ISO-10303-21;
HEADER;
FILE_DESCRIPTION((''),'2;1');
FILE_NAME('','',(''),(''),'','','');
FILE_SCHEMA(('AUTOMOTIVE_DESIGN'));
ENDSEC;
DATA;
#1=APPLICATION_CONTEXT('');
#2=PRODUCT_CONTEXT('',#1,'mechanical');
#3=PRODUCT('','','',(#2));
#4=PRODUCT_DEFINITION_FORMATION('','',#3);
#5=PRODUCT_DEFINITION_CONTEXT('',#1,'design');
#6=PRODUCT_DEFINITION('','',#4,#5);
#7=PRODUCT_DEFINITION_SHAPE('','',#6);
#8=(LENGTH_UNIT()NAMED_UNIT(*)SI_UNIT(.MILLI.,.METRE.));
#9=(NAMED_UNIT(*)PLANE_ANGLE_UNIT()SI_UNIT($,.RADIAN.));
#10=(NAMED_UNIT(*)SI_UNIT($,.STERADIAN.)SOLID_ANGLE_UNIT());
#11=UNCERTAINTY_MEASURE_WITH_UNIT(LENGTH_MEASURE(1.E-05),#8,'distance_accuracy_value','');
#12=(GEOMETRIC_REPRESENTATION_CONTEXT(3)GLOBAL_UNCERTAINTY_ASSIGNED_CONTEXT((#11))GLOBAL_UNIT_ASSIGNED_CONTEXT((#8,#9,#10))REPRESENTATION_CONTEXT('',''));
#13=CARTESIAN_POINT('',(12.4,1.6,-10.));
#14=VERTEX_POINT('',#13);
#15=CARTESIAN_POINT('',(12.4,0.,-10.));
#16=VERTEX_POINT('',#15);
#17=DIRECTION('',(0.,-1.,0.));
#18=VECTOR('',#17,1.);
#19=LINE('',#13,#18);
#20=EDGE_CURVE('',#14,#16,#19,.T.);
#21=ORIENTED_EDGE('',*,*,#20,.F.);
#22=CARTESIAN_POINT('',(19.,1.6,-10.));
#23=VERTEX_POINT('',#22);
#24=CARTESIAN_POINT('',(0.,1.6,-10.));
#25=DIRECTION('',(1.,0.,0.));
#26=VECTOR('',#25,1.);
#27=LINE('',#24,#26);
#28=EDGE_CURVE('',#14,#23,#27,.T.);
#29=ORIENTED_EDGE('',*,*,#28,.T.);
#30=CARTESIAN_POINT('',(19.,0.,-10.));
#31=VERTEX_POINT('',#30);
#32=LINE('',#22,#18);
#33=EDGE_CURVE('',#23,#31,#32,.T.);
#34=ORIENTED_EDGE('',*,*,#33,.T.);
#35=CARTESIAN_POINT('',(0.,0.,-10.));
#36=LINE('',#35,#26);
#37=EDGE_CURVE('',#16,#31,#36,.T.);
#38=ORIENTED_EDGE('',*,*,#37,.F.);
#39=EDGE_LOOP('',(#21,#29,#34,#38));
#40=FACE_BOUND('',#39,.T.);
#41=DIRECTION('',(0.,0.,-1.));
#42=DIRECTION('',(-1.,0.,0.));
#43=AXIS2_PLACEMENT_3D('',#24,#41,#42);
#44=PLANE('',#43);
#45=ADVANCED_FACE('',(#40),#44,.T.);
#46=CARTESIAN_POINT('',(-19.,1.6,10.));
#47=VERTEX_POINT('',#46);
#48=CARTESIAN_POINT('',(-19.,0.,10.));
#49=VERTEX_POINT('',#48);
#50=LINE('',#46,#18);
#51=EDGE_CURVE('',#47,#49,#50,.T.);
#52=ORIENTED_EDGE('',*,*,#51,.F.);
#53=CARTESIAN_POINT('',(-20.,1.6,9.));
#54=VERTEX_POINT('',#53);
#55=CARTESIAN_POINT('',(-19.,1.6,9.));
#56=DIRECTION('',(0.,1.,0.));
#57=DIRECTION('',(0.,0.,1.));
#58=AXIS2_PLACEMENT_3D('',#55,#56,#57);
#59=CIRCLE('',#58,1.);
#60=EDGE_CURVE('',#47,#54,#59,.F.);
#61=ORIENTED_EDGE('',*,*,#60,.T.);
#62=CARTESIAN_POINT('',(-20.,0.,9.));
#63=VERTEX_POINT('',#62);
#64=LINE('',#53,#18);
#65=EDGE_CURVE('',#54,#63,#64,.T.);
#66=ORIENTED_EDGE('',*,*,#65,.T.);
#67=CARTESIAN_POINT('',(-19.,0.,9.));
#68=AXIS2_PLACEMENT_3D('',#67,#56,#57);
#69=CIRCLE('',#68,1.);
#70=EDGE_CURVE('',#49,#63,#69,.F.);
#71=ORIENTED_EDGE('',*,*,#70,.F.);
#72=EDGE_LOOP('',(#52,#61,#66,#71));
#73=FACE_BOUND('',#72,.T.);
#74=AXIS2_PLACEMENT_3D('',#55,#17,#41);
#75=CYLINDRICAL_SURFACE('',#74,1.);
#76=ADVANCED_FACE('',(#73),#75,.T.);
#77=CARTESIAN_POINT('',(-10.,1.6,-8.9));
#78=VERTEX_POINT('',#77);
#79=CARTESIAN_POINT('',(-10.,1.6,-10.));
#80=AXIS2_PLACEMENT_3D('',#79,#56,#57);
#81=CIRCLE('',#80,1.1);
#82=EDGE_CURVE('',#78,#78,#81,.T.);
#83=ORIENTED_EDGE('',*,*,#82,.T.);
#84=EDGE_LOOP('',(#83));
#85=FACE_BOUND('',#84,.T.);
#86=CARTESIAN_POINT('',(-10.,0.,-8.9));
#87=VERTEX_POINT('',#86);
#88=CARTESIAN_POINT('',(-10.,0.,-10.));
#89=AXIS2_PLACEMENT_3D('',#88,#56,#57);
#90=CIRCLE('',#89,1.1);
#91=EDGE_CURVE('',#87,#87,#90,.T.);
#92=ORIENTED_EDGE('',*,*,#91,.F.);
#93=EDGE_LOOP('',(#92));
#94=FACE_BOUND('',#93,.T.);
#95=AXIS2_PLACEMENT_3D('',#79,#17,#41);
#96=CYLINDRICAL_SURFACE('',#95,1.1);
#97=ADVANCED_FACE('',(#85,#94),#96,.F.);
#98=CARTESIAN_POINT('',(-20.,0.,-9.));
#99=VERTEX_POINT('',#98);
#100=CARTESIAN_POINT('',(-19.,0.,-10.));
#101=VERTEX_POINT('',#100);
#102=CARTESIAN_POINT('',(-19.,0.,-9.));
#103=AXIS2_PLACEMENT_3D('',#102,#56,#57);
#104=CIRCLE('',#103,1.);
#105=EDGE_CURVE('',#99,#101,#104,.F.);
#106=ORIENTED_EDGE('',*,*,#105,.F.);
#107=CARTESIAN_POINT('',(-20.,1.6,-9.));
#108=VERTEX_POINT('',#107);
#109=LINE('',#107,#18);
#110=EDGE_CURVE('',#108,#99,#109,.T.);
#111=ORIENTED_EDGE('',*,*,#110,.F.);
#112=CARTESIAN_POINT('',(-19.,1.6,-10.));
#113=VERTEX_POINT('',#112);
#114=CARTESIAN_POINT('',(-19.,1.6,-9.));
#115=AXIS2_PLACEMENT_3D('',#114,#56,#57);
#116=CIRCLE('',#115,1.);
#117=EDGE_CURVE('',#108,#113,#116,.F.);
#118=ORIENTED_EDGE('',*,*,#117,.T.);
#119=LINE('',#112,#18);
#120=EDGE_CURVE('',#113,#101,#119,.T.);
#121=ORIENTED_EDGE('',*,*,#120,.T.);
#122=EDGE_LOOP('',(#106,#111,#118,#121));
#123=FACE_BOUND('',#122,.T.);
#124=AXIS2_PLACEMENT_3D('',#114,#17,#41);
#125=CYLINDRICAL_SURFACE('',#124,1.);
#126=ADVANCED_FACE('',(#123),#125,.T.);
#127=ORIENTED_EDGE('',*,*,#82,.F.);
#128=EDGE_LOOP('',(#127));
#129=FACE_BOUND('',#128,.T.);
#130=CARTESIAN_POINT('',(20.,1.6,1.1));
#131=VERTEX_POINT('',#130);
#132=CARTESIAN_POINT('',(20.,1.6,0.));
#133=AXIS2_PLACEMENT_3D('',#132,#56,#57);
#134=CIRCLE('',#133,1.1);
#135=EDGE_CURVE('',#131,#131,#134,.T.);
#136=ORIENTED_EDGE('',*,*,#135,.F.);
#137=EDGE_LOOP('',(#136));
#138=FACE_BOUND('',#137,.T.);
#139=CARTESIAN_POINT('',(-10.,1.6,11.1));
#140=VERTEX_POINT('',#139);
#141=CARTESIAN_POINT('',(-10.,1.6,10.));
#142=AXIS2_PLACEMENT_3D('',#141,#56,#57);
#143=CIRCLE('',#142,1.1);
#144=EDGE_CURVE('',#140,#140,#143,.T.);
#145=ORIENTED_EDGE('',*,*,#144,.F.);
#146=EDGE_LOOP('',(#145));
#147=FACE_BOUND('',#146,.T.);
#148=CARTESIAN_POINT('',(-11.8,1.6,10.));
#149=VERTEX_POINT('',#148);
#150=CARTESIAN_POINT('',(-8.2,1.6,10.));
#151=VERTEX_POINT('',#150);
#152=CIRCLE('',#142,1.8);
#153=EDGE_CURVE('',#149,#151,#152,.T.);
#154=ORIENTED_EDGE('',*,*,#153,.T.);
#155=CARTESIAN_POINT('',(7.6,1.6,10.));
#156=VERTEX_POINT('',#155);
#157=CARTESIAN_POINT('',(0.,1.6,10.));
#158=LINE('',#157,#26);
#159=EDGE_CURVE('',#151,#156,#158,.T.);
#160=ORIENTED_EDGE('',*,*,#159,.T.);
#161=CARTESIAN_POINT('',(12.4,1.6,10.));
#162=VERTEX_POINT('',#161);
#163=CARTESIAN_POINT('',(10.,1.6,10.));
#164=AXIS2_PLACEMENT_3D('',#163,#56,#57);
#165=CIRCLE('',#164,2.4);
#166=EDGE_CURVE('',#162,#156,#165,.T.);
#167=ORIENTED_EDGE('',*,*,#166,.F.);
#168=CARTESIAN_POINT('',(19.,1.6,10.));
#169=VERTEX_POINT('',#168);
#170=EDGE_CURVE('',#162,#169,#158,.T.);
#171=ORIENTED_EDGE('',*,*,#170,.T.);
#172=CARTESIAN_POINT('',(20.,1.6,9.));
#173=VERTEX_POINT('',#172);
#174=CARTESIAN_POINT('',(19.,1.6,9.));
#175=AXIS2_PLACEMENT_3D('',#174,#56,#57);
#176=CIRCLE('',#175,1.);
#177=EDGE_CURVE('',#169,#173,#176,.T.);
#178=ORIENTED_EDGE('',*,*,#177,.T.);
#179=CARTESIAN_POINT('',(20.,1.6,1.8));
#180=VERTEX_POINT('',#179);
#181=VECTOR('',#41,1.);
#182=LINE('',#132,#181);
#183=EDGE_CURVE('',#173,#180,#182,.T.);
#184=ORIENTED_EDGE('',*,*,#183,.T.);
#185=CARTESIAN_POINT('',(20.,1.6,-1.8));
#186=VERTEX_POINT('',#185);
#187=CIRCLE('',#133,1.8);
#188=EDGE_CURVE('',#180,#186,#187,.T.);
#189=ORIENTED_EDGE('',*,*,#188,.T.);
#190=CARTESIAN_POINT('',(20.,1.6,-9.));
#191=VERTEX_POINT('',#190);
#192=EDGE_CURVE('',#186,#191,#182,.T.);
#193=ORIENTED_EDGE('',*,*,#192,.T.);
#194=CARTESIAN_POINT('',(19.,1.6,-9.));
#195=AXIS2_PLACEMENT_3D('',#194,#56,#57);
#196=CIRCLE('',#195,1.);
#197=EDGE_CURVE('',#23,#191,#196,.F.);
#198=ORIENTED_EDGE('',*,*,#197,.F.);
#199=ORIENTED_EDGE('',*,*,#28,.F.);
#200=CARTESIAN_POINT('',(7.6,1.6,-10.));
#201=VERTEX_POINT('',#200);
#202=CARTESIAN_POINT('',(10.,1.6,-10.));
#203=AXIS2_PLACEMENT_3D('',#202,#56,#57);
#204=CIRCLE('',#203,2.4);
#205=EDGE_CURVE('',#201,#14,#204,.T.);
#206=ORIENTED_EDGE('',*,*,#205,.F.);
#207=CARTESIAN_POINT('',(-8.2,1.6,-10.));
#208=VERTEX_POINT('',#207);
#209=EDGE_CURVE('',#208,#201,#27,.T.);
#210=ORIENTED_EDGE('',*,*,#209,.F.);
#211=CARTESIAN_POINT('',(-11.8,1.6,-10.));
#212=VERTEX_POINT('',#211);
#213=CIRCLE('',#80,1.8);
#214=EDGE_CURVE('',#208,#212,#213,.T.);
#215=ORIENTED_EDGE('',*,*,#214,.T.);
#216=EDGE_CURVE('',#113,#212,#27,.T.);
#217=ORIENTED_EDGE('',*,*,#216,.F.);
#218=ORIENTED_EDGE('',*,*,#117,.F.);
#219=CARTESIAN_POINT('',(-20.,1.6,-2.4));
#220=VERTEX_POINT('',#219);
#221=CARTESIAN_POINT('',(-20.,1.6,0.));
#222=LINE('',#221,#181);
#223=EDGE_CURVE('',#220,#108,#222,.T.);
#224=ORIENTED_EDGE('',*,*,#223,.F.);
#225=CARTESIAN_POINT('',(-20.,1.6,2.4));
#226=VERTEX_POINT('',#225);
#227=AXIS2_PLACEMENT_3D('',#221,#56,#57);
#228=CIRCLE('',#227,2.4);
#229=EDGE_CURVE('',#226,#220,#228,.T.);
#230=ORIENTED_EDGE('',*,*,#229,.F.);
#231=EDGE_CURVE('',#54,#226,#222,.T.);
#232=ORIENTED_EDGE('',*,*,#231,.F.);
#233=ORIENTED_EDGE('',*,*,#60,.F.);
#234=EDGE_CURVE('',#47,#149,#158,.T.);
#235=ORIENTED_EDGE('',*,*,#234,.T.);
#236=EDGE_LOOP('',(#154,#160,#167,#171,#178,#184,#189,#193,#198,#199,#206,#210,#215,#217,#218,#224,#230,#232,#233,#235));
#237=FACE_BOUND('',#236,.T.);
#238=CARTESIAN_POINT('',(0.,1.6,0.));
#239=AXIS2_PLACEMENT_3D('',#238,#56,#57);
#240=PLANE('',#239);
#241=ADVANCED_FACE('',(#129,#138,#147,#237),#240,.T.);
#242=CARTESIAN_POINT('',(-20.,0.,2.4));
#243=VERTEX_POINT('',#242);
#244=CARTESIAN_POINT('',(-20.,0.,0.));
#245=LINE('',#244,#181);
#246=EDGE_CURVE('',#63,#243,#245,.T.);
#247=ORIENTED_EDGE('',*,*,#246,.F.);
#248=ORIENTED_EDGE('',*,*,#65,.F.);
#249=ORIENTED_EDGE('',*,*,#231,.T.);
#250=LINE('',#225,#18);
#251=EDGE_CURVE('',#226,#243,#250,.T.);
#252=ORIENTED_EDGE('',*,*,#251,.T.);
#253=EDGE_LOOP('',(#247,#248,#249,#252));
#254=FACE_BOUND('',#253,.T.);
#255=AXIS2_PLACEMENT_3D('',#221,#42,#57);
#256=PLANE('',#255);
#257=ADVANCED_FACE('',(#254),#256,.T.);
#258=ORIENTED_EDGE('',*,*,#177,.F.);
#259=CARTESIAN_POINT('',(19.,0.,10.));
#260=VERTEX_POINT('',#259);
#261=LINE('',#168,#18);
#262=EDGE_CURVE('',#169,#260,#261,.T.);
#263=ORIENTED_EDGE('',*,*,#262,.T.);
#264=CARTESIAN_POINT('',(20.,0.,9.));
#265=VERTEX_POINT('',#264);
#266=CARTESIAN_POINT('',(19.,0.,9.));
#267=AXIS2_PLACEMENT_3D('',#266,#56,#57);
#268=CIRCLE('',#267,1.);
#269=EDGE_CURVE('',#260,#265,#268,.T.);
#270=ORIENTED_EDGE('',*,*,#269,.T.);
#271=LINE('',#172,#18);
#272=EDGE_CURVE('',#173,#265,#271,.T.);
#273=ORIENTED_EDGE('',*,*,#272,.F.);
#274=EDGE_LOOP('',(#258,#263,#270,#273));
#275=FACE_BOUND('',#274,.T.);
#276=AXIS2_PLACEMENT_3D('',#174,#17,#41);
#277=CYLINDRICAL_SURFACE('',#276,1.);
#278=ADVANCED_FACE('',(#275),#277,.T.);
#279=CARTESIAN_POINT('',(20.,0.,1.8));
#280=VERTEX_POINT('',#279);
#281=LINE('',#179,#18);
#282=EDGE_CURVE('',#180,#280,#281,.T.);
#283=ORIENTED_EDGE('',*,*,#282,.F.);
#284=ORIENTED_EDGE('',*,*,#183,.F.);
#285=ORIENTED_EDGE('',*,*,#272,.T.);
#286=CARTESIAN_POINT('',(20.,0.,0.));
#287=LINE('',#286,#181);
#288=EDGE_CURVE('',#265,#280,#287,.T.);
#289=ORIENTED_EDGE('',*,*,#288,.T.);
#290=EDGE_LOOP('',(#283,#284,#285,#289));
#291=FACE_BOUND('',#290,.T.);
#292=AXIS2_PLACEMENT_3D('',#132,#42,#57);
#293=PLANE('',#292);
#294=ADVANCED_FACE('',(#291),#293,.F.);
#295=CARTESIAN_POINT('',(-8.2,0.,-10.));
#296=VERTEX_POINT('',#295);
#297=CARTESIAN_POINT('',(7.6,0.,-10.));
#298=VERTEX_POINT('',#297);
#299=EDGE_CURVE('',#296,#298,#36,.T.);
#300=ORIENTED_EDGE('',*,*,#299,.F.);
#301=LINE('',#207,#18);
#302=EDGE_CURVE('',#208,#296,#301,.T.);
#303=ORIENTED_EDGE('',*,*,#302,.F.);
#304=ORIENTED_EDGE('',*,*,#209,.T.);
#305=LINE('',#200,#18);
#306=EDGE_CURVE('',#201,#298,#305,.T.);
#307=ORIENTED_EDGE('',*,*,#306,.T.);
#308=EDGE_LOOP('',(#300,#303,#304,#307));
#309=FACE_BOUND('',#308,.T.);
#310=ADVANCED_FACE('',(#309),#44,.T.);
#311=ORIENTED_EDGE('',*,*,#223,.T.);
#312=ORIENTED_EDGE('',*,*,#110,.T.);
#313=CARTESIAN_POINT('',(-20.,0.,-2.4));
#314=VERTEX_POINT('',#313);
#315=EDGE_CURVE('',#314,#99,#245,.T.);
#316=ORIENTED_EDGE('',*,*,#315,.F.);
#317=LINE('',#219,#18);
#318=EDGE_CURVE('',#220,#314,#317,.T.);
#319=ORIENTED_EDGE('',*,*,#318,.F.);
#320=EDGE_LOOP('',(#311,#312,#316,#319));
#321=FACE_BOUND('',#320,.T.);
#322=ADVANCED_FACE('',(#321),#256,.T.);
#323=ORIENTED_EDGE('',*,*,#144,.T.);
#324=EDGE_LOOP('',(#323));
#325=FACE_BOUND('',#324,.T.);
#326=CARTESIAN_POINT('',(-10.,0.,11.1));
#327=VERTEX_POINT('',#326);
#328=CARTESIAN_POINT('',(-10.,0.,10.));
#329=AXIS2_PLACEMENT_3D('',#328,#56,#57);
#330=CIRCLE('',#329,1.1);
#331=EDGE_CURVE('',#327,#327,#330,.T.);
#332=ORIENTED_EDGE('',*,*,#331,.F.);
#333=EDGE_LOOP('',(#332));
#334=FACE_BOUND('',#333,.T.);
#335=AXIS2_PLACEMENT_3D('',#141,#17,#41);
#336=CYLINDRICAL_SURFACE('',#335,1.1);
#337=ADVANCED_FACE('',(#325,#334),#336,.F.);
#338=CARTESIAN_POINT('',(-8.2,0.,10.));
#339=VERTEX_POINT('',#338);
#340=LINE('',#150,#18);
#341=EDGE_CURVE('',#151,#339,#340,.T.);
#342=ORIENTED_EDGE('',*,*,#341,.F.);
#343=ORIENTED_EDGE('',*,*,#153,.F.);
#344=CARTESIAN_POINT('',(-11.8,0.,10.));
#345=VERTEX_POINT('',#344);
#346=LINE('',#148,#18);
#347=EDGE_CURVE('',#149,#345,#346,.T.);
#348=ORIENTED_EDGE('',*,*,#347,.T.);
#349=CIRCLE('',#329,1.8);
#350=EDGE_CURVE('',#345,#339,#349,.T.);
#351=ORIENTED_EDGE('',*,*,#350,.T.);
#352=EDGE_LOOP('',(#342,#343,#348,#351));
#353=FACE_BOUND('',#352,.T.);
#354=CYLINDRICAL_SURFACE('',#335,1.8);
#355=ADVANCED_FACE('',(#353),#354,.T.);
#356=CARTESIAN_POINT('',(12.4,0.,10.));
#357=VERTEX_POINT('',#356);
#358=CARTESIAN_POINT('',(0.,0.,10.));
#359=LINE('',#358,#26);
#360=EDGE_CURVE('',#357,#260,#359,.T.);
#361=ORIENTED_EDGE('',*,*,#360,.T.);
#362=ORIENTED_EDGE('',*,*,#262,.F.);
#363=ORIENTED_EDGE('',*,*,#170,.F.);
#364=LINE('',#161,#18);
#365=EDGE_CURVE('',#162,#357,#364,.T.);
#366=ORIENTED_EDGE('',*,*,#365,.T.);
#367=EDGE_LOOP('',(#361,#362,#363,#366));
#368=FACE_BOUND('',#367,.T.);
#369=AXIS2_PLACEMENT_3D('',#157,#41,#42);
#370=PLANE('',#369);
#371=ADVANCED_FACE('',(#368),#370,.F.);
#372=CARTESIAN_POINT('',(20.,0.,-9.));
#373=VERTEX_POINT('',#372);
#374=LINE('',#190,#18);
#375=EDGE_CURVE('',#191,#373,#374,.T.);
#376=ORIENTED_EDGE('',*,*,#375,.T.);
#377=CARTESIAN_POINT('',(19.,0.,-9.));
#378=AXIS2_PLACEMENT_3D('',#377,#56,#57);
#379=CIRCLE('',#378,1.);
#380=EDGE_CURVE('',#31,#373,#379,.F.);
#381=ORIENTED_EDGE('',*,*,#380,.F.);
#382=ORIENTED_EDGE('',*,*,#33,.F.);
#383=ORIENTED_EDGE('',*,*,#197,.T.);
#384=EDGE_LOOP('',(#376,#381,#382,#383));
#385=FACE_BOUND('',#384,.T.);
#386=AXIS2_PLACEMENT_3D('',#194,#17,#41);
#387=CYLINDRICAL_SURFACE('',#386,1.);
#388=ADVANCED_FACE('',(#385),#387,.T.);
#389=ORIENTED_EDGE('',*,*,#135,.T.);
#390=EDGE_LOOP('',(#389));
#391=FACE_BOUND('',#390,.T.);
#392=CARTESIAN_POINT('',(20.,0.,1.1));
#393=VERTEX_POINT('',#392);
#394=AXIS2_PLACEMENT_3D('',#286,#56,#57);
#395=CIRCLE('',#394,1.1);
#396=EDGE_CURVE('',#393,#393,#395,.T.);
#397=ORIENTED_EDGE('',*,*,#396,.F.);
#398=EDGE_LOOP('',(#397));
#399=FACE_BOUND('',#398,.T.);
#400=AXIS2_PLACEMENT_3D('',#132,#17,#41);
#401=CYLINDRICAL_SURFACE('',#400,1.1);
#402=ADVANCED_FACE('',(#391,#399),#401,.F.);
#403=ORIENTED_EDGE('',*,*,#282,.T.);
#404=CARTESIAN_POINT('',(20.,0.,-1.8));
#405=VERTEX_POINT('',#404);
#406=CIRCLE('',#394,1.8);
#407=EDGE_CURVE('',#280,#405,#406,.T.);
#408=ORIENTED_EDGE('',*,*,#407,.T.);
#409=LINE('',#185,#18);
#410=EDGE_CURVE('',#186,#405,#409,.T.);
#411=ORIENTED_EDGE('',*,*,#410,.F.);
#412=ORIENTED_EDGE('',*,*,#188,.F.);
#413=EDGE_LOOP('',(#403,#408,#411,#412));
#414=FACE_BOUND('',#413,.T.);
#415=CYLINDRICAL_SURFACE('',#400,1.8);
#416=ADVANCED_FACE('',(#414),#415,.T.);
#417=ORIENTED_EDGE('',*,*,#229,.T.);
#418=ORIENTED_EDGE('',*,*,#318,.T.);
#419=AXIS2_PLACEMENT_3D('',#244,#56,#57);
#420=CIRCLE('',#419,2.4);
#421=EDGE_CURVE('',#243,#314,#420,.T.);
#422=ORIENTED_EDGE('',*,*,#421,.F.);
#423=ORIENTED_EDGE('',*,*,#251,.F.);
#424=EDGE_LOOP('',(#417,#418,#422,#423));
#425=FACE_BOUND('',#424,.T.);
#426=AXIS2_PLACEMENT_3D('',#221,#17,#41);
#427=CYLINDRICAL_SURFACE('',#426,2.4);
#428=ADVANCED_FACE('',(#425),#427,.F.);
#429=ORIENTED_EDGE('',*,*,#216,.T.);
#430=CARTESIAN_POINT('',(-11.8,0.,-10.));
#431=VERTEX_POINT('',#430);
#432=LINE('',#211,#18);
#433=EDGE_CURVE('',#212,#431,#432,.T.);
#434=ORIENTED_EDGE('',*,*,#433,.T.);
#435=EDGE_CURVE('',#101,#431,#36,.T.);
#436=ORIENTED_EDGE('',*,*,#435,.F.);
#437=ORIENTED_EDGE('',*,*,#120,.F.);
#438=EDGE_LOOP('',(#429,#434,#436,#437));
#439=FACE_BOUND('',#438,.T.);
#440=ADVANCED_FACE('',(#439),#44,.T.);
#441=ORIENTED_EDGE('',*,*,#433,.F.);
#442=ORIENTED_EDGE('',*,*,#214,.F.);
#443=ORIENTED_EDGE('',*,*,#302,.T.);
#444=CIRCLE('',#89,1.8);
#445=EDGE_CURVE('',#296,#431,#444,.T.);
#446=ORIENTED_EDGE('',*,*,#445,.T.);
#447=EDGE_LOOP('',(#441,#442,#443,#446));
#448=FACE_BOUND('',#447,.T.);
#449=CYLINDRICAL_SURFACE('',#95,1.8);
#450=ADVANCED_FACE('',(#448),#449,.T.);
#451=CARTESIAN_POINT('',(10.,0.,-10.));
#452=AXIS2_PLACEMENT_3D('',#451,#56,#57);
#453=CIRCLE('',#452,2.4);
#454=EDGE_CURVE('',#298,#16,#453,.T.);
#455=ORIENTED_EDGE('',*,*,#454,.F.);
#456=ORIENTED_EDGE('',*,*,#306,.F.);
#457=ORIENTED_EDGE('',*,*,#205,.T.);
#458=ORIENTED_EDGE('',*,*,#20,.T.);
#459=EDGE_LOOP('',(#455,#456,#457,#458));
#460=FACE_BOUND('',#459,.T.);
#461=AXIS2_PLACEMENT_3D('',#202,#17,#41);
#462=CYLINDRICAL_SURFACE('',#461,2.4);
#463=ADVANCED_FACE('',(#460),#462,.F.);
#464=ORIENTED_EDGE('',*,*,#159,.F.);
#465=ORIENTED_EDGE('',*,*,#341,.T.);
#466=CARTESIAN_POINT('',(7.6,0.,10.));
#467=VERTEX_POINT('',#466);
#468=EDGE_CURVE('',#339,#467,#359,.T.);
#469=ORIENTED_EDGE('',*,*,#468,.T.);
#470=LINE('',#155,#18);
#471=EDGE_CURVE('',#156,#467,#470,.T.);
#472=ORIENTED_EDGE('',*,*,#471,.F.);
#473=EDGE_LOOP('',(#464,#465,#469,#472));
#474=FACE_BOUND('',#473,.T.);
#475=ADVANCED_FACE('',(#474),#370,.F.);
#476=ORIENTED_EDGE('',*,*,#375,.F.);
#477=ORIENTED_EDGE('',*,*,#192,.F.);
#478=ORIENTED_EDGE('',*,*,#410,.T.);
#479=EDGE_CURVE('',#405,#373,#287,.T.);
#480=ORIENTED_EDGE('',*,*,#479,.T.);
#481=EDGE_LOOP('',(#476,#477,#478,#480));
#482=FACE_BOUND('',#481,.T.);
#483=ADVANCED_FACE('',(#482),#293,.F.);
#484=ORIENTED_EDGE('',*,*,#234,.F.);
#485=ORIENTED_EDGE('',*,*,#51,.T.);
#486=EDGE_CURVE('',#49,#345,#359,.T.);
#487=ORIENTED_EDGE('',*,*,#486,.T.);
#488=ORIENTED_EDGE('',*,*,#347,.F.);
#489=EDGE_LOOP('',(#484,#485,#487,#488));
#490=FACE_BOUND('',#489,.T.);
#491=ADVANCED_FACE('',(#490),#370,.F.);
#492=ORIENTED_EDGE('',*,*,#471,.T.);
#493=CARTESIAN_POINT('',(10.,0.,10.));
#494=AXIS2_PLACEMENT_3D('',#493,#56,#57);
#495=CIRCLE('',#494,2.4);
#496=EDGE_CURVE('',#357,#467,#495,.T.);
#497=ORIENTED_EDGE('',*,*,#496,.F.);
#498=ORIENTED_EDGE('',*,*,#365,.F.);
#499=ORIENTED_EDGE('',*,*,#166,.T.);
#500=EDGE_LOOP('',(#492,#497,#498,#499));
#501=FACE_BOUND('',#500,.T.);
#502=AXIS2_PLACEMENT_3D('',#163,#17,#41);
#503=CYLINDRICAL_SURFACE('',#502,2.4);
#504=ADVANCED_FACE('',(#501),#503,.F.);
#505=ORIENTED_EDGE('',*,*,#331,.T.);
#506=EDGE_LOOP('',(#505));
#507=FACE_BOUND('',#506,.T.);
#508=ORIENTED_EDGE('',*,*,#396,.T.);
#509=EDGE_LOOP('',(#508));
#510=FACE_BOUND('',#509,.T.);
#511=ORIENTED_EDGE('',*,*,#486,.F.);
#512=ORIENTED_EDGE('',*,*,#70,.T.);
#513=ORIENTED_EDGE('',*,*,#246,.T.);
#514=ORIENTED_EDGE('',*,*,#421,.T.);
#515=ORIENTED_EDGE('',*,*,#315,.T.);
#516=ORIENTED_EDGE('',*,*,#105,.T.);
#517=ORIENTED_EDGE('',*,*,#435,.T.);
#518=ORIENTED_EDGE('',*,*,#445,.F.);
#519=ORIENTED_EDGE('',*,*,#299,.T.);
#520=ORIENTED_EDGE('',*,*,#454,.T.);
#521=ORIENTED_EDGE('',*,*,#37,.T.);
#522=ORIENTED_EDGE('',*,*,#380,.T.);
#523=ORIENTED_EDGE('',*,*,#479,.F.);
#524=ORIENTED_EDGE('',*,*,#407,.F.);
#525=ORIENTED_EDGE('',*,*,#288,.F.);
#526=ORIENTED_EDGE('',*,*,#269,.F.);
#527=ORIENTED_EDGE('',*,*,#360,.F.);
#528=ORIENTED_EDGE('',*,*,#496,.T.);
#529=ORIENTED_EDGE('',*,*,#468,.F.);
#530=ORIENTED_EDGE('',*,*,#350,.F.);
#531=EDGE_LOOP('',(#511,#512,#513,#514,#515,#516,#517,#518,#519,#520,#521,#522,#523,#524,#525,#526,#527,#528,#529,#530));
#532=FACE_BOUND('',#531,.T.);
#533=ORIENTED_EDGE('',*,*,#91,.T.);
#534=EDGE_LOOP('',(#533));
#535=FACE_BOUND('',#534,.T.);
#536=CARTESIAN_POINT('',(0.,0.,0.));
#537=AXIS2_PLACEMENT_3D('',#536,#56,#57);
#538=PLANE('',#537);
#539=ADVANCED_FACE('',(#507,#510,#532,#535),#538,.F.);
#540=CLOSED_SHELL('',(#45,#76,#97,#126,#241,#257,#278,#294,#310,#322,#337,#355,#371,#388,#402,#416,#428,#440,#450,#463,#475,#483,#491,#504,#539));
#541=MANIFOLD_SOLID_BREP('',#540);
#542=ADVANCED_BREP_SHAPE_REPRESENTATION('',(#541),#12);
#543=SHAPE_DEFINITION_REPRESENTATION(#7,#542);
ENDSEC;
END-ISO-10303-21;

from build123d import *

# Parameters (mm, degrees)
ESQUISSE1_R        = 1.1
BOSS_EXTRU_1_DEPTH = 1.6


with BuildPart() as part:
    # Esquisse1 → Boss.-Extru.1 (new body)
    with BuildSketch(Plane(origin=(0, 0, 0), x_dir=(1, 0, 0), z_dir=(0, 1, 0))):
        with BuildLine():
            ThreePointArc((-11.8, -10), (-10, -11.8), (-8.2, -10))
            Line((-8.2, -10), (7.6, -10))
            ThreePointArc((7.6, -10), (10, -7.6), (12.4, -10))
            Line((12.4, -10), (19, -10))
            ThreePointArc((19, -10), (19.707106781, -9.707106781), (20, -9))
            Line((20, -9), (20, -1.8))
            ThreePointArc((20, -1.8), (21.8, 0), (20, 1.8))
            Line((20, 1.8), (20, 9))
            ThreePointArc((20, 9), (19.707106781, 9.707106781), (19, 10))
            Line((19, 10), (12.4, 10))
            ThreePointArc((12.4, 10), (10, 7.6), (7.6, 10))
            Line((7.6, 10), (-8.2, 10))
            ThreePointArc((-8.2, 10), (-10, 11.8), (-11.8, 10))
            Line((-11.8, 10), (-19, 10))
            ThreePointArc((-19, 10), (-19.707106781, 9.707106781), (-20, 9))
            Line((-20, 9), (-20, 2.4))
            ThreePointArc((-20, 2.4), (-17.6, 0), (-20, -2.4))
            Line((-20, -2.4), (-20, -9))
            ThreePointArc((-20, -9), (-19.707106781, -9.707106781), (-19, -10))
            Line((-19, -10), (-11.8, -10))
        make_face()
        with Locations(Location((-10, -10, 0), (0, 0, 270))):  # turned: the seam where the file's is
            Circle(ESQUISSE1_R, mode=Mode.SUBTRACT)
        with Locations(Location((20, 0, 0), (0, 0, 270))):  # turned: the seam where the file's is
            Circle(ESQUISSE1_R, mode=Mode.SUBTRACT)
        with Locations(Location((-10, 10, 0), (0, 0, 270))):  # turned: the seam where the file's is
            Circle(ESQUISSE1_R, mode=Mode.SUBTRACT)
    extrude(amount=BOSS_EXTRU_1_DEPTH)


solid = part.part
